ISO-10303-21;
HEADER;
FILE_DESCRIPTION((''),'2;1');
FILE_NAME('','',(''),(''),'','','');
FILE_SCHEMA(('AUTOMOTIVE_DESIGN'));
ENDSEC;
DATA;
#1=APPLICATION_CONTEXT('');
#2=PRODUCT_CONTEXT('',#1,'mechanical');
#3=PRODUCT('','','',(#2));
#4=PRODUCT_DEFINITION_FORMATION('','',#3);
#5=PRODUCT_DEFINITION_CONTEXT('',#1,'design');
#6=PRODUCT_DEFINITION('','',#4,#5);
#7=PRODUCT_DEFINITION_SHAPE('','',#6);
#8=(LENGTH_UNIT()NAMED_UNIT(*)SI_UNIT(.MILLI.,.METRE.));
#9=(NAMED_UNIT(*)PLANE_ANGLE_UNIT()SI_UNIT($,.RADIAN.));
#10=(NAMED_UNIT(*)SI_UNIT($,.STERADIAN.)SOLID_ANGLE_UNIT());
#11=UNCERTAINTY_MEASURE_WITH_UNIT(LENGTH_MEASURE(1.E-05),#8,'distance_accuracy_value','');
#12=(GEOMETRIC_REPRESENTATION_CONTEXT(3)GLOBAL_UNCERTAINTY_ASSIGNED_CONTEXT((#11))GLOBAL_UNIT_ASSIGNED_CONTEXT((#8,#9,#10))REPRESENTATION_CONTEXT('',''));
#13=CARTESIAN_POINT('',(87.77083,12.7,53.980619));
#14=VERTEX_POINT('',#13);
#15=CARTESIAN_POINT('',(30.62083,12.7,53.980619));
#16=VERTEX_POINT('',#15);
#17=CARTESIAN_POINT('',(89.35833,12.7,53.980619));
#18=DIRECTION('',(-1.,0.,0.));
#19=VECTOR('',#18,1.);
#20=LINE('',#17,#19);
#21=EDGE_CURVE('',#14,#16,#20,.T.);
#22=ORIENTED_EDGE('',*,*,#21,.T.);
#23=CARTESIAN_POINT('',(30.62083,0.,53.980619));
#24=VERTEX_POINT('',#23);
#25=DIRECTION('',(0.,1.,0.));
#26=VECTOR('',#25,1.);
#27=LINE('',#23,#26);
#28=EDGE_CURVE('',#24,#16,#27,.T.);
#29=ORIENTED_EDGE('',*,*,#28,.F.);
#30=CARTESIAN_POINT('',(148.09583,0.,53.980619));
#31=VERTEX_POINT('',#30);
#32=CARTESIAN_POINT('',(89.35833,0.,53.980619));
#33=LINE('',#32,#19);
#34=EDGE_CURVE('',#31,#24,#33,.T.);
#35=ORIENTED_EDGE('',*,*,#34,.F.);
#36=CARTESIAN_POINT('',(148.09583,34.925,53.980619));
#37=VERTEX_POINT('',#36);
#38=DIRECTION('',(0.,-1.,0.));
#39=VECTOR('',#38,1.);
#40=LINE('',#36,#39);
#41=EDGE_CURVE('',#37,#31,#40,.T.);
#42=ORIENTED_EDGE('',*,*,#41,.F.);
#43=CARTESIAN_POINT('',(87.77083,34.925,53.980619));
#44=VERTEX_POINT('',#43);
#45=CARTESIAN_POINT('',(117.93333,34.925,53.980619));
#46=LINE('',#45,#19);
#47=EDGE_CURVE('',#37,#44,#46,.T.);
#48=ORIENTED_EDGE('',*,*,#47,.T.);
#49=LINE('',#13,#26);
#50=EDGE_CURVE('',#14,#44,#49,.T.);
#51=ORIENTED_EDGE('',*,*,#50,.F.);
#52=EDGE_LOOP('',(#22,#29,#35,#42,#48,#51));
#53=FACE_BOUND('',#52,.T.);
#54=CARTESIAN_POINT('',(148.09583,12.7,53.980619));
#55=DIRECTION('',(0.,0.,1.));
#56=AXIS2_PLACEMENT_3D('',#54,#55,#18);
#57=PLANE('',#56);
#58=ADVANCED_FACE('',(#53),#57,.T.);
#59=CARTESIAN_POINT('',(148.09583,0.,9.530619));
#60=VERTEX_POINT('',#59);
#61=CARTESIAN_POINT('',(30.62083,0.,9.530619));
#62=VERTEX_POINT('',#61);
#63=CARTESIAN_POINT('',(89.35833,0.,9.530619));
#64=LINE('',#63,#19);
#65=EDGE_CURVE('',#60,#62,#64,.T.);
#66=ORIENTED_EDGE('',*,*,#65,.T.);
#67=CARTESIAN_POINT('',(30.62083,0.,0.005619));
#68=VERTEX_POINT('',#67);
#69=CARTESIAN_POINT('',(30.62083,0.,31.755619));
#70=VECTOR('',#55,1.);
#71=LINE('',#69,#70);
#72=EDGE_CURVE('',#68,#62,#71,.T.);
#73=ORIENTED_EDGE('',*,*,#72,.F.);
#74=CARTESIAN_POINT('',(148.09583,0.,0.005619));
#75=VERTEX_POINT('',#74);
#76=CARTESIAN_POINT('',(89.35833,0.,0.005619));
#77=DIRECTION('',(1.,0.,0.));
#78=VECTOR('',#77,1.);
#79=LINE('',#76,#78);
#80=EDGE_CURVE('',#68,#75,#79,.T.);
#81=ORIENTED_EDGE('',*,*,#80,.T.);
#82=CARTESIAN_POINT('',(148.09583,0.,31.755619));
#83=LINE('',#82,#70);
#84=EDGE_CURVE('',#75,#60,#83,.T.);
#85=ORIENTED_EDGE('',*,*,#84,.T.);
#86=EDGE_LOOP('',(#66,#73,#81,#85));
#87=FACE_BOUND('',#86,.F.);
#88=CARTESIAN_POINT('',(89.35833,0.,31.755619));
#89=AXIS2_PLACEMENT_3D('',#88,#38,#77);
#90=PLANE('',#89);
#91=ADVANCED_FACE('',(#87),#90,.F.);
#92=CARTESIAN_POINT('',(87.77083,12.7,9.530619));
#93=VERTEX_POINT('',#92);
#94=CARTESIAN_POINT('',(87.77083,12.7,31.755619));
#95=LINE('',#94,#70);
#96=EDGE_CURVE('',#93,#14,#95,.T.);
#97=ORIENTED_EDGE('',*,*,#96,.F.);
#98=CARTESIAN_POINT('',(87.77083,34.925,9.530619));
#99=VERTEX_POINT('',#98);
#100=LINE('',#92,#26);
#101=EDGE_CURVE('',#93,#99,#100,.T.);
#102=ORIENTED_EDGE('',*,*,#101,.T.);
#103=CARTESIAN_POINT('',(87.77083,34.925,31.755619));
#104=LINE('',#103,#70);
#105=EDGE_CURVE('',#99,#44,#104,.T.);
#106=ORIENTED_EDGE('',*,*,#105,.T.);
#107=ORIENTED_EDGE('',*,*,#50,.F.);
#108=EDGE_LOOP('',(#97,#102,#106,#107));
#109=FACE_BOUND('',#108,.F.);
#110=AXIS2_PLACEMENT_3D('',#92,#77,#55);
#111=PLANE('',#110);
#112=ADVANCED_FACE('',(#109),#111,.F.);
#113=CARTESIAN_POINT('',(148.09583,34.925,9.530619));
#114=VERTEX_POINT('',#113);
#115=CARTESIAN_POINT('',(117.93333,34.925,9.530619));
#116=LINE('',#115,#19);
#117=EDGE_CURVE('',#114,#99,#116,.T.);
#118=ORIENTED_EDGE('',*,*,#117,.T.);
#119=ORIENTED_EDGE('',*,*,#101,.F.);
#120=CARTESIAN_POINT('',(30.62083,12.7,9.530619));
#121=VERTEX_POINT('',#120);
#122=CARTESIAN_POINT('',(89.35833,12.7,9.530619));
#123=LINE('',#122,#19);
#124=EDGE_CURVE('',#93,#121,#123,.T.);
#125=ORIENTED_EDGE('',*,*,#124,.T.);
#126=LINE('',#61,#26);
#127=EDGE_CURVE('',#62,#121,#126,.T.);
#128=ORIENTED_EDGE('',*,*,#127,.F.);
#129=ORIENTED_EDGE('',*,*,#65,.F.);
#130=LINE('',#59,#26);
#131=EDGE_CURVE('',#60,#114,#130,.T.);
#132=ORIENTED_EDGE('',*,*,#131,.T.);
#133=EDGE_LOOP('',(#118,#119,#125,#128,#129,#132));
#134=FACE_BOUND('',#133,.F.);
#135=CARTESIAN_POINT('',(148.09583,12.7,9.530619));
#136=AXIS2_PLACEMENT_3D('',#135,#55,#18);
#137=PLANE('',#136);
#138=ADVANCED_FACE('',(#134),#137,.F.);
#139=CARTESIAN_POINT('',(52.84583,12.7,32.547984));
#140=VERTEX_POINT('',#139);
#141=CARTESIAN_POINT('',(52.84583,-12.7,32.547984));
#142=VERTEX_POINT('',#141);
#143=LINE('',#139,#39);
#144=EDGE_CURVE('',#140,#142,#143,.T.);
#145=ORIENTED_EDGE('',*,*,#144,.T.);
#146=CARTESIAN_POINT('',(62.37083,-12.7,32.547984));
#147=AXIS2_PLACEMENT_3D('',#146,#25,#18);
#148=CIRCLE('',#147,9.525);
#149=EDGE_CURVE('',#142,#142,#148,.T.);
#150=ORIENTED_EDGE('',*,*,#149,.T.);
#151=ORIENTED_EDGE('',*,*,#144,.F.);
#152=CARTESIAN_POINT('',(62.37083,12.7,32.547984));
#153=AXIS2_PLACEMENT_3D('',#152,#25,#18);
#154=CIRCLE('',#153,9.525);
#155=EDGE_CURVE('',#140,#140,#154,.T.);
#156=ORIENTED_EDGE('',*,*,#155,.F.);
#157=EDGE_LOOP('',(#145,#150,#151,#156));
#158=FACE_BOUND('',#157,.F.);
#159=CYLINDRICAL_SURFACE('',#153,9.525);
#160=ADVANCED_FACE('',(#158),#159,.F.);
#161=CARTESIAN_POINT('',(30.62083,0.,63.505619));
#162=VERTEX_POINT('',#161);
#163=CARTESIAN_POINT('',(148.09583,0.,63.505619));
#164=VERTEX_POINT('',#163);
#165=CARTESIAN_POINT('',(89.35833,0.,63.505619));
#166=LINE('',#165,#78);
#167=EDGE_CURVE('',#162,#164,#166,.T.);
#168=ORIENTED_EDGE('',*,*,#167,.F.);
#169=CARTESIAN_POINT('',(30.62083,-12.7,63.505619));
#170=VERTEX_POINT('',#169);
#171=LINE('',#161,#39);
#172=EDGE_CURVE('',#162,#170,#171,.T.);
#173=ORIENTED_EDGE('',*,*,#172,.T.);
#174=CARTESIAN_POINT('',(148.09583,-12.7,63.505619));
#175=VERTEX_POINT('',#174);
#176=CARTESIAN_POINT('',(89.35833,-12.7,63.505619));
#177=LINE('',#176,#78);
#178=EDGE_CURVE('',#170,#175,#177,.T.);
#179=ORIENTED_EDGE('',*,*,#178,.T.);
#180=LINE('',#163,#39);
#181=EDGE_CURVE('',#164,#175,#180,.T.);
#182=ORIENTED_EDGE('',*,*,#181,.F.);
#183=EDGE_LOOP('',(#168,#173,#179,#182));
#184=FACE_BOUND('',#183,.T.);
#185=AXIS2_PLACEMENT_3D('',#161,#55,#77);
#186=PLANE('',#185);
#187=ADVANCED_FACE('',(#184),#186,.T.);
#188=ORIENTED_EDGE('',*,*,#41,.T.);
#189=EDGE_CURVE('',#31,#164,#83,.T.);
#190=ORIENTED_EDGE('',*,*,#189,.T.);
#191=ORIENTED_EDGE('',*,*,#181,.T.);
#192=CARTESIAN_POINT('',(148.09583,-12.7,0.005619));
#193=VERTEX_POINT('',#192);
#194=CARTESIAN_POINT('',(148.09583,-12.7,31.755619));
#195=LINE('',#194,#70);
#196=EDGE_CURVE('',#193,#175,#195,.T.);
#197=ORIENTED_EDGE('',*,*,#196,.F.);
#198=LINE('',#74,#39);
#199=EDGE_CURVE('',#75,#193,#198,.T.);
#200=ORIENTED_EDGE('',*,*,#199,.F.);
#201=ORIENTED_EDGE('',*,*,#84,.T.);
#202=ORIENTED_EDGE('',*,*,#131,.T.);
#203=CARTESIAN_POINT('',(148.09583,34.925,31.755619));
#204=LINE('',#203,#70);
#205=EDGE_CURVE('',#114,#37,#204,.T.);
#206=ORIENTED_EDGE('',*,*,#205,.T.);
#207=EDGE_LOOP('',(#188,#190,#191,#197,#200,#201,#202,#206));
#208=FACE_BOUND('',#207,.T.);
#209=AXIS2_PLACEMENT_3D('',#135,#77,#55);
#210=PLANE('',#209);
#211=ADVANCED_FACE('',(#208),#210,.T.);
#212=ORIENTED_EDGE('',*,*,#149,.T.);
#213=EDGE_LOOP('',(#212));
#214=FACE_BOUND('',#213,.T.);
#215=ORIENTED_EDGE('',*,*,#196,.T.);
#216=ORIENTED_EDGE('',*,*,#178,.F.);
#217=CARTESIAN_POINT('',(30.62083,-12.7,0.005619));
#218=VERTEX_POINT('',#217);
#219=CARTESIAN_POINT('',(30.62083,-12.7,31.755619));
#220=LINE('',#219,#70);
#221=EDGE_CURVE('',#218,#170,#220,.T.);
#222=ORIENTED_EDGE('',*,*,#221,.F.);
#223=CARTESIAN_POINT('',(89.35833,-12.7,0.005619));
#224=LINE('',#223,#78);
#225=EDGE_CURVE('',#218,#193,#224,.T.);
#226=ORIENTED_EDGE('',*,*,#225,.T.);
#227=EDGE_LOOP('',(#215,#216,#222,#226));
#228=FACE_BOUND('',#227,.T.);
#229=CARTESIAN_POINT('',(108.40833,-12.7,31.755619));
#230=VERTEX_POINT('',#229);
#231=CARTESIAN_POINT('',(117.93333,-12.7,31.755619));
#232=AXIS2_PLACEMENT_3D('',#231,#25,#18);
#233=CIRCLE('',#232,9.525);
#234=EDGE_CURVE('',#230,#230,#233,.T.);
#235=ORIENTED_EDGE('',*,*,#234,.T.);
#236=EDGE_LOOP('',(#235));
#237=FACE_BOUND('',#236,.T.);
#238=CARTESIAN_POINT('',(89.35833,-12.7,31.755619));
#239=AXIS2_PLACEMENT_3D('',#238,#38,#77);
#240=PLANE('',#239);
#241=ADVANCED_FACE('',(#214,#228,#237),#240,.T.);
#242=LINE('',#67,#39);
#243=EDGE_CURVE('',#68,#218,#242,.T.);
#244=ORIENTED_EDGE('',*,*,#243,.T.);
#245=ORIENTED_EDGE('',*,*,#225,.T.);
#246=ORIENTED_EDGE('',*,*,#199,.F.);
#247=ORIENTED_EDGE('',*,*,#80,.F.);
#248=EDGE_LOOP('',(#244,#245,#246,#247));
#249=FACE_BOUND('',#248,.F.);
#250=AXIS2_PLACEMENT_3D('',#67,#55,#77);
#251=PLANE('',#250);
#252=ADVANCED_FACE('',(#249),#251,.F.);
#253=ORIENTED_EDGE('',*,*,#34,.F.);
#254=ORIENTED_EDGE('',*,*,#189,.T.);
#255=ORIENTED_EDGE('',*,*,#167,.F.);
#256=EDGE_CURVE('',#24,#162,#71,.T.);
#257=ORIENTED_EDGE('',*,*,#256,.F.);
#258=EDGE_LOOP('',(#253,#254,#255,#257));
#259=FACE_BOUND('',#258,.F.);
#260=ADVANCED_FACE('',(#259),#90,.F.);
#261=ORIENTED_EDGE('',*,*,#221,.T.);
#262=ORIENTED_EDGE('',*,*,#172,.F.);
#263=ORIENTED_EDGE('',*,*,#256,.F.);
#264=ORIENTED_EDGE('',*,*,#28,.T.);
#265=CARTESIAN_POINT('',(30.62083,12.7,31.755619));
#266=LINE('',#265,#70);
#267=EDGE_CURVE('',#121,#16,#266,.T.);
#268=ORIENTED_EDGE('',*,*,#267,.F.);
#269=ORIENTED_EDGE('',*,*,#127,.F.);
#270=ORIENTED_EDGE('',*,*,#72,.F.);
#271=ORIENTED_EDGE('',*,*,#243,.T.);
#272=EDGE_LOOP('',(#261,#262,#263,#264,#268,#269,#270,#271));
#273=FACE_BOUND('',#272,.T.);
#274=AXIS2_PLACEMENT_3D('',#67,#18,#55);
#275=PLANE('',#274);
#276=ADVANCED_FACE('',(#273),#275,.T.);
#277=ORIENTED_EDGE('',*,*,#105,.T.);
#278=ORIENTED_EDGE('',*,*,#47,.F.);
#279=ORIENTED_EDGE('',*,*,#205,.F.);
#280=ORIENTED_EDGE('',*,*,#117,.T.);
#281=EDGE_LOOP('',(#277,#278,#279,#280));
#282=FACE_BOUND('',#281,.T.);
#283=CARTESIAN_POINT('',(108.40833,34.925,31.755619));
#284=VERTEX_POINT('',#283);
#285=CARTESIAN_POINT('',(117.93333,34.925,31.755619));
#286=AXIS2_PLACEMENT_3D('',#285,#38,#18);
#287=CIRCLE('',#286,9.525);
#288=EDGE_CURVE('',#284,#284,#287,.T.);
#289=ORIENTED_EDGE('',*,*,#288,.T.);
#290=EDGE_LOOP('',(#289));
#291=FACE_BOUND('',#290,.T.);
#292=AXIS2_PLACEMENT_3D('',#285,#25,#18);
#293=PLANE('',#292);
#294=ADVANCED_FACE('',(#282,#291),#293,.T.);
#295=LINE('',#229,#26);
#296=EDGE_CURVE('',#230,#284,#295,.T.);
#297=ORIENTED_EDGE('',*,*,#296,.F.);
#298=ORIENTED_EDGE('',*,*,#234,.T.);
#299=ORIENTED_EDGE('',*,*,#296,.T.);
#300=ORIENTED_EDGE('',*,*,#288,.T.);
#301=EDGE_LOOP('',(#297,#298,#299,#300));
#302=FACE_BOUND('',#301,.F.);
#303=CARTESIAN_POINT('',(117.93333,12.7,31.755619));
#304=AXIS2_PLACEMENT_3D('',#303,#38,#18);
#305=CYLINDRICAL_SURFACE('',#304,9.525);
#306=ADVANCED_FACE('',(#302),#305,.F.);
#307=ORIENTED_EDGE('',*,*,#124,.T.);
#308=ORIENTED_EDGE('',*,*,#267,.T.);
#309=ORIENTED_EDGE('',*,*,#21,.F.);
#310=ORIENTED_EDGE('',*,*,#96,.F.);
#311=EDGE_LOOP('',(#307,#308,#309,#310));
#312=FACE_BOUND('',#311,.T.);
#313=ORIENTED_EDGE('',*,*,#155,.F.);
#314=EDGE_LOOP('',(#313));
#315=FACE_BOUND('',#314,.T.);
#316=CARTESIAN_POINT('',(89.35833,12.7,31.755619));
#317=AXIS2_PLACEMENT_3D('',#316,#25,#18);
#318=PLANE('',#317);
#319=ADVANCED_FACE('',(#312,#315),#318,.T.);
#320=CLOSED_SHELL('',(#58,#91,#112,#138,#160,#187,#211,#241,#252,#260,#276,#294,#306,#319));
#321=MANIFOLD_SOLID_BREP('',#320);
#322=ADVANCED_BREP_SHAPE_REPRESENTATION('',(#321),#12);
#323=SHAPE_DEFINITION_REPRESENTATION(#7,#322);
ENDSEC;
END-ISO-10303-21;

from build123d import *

# Parameters (mm, degrees)
F0_W      = 117.475
F0_H      = 63.5
F1_DEPTH  = 12.7
F2_W      = 117.475
F2_H      = 44.45
F3_DEPTH  = 12.7
F4_W      = 60.325
F4_H      = 44.45
F5_DEPTH  = 22.225
F6_R      = 9.525
F7_DEPTH  = 25.401
F7_FACE_R = 9.525
F8_DEPTH  = 22.226


with BuildPart() as f1:
    # F0 (on Front) → F1 (new body)
    with BuildSketch(Plane.XZ):
        with Locations((89.35833, 31.755619)):
            Rectangle(F0_W, F0_H)
    extrude(amount=F1_DEPTH)

    # F2 (on face) → F3 (join)
    with BuildSketch(Plane(origin=(0, 0, 0), x_dir=(-1, 0, 0), z_dir=(0, 1, 0))):
        with Locations((-89.35833, 31.755619)):
            Rectangle(F2_W, F2_H)
    extrude(amount=F3_DEPTH)

    # F4 (on face) → F5 (join)
    with BuildSketch(Plane(origin=(0, 12.7, 0), x_dir=(-1, 0, 0), z_dir=(0, 1, 0))):
        with Locations((-117.93333, 31.755619)):
            Rectangle(F4_W, F4_H)
    extrude(amount=F5_DEPTH)

    # F6 (on face) → F7 (cut, through all)
    with BuildSketch(Plane(origin=(0, 12.7, 0), x_dir=(-1, 0, 0), z_dir=(0, 1, 0))):
        with Locations((-62.37083, 32.547984)):
            Circle(F6_R)
        with Locations((-117.93333, 31.755619)):
            Circle(F6_R)
    extrude(amount=-F7_DEPTH, mode=Mode.SUBTRACT)

    # F7_face (on face) → F8 (cut, through all)
    with BuildSketch(Plane(origin=(117.93333, 12.7, 31.755619), x_dir=(-1, 0, 0), z_dir=(0, -1, 0))):
        Circle(F7_FACE_R)
    extrude(amount=-F8_DEPTH, mode=Mode.SUBTRACT)


solid = f1.part
